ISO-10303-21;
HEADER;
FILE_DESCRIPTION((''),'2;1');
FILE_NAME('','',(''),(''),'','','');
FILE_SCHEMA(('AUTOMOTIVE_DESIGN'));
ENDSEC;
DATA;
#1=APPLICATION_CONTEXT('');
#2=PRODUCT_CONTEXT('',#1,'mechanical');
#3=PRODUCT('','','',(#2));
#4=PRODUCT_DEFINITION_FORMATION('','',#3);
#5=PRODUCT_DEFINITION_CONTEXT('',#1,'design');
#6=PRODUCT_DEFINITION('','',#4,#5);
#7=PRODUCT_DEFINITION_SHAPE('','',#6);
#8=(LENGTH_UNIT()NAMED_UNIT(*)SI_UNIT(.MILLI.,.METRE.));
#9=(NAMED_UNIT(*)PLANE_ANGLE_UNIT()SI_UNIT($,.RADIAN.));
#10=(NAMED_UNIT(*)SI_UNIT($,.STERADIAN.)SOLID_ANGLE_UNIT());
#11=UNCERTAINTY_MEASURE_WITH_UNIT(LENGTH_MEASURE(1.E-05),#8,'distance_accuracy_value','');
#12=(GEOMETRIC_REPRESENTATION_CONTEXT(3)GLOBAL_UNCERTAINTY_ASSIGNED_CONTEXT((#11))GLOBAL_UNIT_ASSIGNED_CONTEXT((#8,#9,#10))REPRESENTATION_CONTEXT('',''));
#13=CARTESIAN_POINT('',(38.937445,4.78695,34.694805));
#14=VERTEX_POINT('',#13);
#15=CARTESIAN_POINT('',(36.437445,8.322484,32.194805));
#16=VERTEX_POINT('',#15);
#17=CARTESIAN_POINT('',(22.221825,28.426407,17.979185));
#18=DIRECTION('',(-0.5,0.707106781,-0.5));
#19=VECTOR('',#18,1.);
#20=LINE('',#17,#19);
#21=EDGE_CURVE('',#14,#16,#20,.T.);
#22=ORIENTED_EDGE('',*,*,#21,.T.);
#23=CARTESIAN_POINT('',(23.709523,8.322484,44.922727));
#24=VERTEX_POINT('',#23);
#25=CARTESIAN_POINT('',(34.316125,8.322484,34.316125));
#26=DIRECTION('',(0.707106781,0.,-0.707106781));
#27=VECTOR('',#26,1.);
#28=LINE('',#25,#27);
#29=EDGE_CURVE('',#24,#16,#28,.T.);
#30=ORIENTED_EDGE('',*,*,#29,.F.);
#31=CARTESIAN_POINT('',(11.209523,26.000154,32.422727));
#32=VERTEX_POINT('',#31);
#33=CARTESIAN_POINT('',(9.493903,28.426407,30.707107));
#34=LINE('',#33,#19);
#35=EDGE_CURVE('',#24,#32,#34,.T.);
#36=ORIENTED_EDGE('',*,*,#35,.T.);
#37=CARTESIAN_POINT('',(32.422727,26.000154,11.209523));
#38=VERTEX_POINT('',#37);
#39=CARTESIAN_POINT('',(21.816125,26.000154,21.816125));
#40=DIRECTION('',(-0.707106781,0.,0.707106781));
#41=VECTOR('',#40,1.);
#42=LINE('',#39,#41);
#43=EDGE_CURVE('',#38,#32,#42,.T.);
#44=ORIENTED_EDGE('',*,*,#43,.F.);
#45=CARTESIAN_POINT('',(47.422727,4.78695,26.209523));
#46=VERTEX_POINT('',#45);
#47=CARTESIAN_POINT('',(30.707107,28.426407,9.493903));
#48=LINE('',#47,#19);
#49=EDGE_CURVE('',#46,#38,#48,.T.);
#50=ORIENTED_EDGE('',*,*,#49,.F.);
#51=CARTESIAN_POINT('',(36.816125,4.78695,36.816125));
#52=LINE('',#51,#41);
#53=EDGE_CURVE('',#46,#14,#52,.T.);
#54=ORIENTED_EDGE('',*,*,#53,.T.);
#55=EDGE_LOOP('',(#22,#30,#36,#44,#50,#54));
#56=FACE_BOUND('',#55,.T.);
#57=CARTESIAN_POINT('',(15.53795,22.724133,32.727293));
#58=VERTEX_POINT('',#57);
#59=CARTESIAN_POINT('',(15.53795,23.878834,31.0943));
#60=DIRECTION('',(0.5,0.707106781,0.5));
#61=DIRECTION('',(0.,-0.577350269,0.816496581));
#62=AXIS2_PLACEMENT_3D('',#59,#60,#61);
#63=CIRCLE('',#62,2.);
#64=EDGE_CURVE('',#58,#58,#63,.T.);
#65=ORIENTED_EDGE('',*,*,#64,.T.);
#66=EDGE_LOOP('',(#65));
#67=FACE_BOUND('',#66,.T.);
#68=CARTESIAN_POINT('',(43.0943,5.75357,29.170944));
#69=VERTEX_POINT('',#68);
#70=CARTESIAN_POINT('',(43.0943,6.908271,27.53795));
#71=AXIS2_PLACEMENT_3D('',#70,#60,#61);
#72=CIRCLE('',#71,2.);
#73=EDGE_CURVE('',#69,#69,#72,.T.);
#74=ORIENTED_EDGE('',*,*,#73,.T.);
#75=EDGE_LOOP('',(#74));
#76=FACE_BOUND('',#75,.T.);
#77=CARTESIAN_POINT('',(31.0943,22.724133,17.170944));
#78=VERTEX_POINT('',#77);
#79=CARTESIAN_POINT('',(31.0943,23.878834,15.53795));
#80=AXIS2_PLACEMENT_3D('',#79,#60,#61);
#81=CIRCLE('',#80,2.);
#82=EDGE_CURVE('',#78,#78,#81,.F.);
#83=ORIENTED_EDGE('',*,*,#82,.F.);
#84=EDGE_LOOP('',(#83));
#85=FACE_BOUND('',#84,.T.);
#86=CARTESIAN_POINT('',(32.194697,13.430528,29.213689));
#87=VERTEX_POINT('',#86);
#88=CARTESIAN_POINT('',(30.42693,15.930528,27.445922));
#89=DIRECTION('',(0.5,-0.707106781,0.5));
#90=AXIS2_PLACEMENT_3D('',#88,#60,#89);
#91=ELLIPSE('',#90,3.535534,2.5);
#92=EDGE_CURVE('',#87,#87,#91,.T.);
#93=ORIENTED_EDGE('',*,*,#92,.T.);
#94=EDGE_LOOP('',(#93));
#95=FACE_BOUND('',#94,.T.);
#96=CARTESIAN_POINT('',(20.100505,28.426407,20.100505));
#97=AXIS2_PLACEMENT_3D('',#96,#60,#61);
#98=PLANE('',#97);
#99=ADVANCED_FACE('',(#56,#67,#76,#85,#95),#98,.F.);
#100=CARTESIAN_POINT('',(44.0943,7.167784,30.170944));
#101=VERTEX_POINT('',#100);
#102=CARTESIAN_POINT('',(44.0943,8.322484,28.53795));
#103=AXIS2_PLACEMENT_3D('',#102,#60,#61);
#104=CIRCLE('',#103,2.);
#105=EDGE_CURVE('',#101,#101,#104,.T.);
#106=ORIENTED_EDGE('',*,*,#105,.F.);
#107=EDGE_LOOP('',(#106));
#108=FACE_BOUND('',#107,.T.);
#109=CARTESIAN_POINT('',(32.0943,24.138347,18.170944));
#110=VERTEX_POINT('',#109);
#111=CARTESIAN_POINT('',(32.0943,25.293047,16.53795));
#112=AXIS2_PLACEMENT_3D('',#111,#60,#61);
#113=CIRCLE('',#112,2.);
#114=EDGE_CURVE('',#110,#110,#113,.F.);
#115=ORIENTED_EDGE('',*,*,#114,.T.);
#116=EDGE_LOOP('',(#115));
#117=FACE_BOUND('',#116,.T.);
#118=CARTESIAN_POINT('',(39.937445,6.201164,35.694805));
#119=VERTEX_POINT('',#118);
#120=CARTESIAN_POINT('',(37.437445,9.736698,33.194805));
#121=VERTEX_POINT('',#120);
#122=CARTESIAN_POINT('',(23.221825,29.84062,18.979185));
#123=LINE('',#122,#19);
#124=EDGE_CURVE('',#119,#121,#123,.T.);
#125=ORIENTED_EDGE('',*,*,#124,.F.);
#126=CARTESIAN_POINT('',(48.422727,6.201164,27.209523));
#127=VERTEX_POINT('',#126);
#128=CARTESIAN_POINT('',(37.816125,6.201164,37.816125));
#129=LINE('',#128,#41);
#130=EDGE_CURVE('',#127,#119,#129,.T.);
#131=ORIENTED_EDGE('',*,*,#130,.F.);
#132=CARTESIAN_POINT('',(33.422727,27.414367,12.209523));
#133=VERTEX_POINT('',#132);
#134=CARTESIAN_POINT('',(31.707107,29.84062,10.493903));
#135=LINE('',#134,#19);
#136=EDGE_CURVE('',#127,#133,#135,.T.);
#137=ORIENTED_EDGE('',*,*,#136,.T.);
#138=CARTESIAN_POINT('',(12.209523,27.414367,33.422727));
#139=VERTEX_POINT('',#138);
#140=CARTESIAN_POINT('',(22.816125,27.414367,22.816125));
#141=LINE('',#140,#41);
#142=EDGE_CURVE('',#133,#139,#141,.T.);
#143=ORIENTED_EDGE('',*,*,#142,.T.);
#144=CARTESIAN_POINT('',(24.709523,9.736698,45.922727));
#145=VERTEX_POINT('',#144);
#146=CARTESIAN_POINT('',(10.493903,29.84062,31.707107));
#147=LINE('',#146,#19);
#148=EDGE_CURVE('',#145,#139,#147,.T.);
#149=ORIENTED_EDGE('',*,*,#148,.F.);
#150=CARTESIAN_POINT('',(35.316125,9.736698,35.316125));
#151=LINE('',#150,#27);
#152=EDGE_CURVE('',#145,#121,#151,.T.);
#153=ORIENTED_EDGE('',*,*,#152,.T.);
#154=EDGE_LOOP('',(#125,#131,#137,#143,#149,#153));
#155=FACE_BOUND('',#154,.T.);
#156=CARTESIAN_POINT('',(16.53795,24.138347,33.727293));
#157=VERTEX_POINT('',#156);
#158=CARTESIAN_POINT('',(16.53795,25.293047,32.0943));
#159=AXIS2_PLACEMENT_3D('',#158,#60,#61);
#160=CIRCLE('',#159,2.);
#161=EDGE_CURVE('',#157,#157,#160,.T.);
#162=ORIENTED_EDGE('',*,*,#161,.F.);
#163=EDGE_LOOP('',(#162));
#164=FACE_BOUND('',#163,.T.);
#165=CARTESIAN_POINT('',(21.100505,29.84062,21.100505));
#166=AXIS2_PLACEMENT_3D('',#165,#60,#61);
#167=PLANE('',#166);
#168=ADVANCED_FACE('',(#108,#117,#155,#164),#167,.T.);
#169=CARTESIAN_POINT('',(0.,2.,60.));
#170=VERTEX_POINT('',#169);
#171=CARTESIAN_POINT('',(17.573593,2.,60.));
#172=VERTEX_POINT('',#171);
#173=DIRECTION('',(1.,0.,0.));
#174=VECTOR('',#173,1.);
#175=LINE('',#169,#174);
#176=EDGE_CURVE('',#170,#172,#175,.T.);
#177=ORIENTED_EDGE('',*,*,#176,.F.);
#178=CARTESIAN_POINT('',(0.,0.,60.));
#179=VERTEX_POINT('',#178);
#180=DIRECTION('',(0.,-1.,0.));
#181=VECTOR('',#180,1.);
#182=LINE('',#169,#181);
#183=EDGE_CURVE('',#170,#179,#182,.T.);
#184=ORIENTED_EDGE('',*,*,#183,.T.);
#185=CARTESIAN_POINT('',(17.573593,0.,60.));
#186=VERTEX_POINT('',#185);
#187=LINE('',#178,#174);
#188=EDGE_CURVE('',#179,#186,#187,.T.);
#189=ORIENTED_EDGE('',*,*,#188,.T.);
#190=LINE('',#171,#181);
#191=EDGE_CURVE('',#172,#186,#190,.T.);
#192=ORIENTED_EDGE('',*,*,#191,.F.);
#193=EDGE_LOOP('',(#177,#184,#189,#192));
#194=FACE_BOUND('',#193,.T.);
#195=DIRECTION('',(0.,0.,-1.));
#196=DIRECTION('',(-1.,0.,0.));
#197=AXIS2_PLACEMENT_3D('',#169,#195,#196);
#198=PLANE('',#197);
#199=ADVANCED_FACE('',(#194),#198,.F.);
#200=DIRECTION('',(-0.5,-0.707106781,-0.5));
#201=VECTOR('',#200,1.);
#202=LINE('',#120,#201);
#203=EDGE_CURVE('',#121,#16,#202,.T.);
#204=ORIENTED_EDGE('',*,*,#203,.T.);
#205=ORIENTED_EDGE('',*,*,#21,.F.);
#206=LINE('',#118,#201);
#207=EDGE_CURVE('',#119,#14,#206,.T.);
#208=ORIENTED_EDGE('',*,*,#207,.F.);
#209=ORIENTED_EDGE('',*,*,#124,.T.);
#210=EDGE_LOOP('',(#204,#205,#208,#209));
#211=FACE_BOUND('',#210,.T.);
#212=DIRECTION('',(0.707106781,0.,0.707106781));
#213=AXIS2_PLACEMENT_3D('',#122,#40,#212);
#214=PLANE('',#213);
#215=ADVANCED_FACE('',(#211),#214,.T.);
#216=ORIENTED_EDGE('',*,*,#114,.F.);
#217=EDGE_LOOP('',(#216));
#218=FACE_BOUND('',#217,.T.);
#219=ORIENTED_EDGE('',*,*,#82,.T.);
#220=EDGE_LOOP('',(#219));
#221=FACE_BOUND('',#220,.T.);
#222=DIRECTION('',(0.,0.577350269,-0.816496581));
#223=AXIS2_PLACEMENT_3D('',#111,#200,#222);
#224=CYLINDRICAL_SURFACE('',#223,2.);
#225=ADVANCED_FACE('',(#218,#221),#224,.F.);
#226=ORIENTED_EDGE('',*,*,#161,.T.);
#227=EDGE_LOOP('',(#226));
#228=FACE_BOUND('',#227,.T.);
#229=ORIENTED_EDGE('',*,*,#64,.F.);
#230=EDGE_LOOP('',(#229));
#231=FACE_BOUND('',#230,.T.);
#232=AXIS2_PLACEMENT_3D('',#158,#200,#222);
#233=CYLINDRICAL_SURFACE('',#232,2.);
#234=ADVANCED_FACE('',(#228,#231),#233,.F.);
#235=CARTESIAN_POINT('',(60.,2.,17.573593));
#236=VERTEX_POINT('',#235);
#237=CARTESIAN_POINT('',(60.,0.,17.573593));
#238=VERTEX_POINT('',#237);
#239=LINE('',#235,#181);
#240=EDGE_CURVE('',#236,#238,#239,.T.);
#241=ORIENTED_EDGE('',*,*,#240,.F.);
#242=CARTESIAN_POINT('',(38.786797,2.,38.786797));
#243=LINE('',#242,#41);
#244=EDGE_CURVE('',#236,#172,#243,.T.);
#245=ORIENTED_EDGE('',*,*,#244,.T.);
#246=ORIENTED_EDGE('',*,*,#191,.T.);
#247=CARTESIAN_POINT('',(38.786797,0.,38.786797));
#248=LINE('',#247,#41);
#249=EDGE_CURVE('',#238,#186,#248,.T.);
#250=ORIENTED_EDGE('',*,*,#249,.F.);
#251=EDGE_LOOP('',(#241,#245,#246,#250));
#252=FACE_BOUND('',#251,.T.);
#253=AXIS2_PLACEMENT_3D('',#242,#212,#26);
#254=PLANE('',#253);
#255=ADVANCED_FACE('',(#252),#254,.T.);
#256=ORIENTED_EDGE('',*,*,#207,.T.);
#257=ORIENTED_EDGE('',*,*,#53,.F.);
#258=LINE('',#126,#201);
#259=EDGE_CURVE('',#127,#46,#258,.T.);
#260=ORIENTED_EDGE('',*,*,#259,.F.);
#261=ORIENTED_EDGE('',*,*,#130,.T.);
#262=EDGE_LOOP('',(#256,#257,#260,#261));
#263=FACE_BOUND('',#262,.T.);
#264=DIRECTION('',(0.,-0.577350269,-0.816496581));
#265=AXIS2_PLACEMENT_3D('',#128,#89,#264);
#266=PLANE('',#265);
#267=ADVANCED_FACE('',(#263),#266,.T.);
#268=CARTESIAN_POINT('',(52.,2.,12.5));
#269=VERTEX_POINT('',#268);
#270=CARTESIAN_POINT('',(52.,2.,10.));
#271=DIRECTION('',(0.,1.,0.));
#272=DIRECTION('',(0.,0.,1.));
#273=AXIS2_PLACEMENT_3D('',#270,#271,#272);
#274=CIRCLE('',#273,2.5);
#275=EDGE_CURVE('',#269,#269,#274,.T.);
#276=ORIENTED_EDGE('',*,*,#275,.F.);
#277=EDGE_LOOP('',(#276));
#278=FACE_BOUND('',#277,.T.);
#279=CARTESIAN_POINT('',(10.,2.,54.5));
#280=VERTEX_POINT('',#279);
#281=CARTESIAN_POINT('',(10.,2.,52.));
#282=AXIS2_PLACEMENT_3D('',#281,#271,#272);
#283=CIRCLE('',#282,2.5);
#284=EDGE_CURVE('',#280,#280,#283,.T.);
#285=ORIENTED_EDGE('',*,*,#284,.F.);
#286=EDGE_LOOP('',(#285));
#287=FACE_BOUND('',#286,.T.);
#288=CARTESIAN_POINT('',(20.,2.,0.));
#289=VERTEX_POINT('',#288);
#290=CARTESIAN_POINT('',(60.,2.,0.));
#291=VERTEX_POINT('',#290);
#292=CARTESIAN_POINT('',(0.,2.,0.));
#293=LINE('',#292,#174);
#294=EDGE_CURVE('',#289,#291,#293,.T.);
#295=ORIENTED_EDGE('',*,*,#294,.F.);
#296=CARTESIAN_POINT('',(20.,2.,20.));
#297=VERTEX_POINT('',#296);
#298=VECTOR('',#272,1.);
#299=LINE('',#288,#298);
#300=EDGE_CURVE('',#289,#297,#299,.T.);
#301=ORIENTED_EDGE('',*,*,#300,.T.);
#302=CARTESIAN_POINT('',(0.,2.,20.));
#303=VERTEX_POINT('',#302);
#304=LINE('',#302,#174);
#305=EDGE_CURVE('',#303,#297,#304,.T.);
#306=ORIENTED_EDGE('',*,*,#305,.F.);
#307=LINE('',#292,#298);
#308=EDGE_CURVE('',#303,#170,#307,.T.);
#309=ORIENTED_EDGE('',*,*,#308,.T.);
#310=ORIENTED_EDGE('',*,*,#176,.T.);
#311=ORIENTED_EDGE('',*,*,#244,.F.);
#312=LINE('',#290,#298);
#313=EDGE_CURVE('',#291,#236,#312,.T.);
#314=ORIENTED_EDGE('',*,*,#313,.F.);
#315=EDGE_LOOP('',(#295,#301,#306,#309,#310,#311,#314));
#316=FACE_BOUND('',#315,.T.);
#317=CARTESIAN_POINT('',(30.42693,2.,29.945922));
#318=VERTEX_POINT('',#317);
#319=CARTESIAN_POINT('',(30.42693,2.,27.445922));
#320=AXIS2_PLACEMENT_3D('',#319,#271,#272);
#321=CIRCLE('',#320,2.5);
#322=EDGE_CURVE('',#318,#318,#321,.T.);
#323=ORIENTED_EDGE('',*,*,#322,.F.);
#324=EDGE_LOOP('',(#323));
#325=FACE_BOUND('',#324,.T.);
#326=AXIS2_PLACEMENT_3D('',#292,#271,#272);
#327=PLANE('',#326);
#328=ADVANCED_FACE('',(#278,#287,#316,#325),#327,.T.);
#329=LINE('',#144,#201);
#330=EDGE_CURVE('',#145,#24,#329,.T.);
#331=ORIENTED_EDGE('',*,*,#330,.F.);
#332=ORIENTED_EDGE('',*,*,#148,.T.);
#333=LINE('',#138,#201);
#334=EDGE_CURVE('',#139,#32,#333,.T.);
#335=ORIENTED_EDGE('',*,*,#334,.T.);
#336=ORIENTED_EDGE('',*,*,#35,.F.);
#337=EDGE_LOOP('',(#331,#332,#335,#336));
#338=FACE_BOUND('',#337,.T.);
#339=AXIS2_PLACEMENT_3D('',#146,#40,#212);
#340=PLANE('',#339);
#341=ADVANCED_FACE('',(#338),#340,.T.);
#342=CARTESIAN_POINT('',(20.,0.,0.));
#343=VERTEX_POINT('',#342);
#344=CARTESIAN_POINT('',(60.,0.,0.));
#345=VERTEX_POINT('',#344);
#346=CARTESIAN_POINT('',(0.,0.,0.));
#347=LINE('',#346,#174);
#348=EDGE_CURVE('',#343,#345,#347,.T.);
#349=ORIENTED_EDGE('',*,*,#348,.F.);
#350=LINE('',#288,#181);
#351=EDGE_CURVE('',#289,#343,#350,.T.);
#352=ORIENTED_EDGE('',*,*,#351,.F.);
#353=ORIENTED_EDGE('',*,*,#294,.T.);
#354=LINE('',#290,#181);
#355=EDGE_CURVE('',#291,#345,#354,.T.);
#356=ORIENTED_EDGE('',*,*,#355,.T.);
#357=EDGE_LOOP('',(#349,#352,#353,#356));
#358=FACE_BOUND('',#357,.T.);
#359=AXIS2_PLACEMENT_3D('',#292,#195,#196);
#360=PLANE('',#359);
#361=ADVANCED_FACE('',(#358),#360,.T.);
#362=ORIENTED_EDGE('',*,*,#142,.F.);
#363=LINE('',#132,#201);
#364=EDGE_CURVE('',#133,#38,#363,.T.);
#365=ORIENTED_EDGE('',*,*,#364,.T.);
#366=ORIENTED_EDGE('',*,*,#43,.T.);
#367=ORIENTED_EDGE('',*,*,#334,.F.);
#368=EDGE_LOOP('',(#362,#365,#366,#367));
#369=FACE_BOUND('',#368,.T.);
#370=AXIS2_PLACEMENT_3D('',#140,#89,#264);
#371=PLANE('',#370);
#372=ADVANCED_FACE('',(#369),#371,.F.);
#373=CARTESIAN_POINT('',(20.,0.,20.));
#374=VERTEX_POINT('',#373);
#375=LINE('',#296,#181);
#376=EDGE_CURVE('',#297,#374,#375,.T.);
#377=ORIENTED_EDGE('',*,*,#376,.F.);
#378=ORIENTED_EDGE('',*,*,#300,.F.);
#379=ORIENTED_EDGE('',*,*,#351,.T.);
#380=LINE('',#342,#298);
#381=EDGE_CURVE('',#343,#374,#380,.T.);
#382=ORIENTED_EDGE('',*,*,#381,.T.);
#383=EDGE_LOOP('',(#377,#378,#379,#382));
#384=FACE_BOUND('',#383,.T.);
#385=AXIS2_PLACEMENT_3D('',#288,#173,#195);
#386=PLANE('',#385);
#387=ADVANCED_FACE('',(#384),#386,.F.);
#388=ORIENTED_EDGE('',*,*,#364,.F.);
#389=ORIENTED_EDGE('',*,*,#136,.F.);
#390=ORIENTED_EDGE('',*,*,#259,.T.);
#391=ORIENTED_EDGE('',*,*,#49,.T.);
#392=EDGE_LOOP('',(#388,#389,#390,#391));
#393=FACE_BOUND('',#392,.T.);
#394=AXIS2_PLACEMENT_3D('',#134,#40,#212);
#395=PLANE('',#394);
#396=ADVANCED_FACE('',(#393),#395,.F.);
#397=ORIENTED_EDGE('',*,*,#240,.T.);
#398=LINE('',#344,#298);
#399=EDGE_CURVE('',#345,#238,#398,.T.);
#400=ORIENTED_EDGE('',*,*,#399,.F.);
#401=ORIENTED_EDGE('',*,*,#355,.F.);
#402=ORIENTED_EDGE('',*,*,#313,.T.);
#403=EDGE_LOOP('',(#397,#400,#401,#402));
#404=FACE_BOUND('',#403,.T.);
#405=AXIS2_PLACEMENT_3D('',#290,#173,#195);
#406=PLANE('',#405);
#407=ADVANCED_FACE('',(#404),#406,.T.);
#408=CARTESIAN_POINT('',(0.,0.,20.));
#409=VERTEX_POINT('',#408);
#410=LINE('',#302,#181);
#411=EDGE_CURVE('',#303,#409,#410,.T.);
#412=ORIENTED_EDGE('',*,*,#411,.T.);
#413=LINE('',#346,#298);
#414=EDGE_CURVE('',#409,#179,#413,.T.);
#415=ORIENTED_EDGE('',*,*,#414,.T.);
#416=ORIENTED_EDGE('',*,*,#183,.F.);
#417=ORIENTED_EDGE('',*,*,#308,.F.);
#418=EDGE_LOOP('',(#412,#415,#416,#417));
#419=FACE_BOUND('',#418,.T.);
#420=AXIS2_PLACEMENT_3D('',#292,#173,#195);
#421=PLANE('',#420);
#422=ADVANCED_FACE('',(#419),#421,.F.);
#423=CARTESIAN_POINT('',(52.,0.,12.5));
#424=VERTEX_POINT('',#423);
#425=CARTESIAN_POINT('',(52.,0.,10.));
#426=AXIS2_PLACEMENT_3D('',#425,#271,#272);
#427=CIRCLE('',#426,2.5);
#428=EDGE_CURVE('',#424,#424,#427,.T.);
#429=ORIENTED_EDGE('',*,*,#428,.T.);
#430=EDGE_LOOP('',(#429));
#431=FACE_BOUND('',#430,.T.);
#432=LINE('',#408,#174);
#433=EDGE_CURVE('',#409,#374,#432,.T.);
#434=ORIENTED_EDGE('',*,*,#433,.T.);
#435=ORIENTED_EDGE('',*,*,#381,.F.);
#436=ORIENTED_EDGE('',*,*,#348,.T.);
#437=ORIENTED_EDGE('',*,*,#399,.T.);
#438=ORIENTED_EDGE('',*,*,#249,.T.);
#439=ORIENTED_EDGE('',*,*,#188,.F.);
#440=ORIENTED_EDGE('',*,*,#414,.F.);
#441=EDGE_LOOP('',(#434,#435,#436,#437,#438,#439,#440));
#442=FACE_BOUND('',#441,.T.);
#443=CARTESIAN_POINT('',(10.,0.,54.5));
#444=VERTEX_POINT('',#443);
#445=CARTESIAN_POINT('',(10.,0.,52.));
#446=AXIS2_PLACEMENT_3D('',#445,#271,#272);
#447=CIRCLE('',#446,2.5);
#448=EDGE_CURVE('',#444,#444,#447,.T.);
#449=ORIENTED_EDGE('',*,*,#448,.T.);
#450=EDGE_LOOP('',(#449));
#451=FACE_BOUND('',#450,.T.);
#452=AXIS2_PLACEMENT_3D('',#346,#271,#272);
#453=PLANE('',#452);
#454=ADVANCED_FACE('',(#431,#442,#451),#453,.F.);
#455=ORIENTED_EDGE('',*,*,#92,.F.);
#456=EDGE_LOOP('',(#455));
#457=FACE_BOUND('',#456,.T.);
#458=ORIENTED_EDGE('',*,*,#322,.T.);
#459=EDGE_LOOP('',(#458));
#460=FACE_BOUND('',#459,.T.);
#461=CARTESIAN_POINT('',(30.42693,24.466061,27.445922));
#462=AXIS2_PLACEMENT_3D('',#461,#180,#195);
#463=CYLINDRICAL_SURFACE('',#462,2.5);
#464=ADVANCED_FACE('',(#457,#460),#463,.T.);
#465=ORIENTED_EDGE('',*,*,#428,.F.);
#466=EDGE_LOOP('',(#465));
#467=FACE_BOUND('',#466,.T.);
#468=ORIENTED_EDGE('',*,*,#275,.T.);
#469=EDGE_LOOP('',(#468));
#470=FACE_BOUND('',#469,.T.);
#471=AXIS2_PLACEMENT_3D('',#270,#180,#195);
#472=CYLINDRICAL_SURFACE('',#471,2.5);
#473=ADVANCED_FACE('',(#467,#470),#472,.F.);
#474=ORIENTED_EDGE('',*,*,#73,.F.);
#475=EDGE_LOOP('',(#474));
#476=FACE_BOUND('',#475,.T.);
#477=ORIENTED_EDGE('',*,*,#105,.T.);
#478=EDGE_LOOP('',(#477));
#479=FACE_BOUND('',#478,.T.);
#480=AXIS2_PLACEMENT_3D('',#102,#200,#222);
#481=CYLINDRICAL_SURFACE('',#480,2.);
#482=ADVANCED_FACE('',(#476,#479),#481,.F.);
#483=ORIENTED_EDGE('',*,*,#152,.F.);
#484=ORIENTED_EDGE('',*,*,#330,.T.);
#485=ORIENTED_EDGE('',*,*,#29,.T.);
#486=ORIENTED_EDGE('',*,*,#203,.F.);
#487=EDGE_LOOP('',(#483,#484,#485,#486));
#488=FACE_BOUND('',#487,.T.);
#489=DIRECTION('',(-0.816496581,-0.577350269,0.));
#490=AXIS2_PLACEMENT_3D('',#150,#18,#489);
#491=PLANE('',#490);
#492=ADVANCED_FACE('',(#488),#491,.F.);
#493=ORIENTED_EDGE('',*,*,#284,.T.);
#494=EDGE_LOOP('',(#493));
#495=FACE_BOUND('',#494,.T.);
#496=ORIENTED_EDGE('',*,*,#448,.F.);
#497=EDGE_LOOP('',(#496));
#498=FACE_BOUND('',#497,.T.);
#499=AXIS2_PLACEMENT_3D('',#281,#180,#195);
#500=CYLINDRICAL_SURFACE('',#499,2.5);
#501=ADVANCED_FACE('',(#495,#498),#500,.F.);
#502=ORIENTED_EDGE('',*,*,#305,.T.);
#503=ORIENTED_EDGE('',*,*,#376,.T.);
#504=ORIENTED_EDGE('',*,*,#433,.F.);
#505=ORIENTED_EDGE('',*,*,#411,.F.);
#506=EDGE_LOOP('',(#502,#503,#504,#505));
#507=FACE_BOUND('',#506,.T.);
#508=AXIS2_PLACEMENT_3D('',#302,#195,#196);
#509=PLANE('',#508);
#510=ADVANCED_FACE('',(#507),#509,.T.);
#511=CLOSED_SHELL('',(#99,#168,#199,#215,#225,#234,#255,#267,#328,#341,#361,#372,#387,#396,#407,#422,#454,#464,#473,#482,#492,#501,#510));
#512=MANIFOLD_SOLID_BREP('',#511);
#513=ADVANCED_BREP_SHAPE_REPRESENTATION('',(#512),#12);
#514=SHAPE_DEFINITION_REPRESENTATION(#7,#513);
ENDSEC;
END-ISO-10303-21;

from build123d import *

# Parameters (mm, degrees)
SKETCH_1_R      = 2.5
EXTRUDE_1_DEPTH = 2
SKETCH_2_R      = 2
EXTRUDE_3_DEPTH = 2
EXTRUDE_4_REACH = 90.577
SKETCH_4_R      = 2.5


with BuildPart() as part:
    # 草图1 → 凸台-拉伸1 (new body)
    with BuildSketch(Plane(origin=(0, 0, 0), x_dir=(1, 0, 0), z_dir=(0, 1, 0))):
        Polygon((17.573593129, -60), (60, -17.573593129), (60, 0), (20, 0), (20, -20), (0, -20), (0, -60), align=None)
        with Locations(Location((10, -52, 0), (0, 0, 270))):
            Circle(SKETCH_1_R, mode=Mode.SUBTRACT)
        with Locations(Location((52, -10, 0), (0, 0, 270))):
            Circle(SKETCH_1_R, mode=Mode.SUBTRACT)
    extrude(amount=EXTRUDE_1_DEPTH)



with BuildPart() as body_2:
    # 草图2 → 凸台-拉伸3 (new body)
    with BuildSketch(Plane(origin=(20.100505063, 28.426406871, 20.100505063), x_dir=(-0.7071067811865476, 0, 0.7071067811865476), z_dir=(0.5000000000000009, 0.7071067811865465, 0.5000000000000009))):
        Polygon((-3, 33.431239936), (-15, 33.431239936), (-15, 3.431239936), (15, 3.431239936), (15, 28.431239936), (11, 28.431239936), (-3, 28.431239936), align=None)
        with Locations(Location((-11, 6.431239936, 0), (0, 0, 54.735610317))):
            Circle(SKETCH_2_R, mode=Mode.SUBTRACT)
        with Locations(Location((11, 6.431239936, 0), (0, 0, 54.735610317))):
            Circle(SKETCH_2_R, mode=Mode.SUBTRACT)
        with Locations(Location((-11, 30.431239936, 0), (0, 0, 54.735610317))):
            Circle(SKETCH_2_R, mode=Mode.SUBTRACT)
    extrude(amount=EXTRUDE_3_DEPTH)


with BuildPart() as part_1:
    add(part.part)

    add(body_2.part)  # 凸台-拉伸4 merges body 2
    # 凸台-拉伸4: up to this plane
    extrude_4_end = Plane(origin=(20.100505063, 28.426406871, 20.100505063), z_dir=(0.5000000000000009, 0.7071067811865464, 0.5000000000000009))
    # 草图4 → 凸台-拉伸4 (add, up to the surface)
    with BuildSketch(Plane(origin=(0, 2, 0), x_dir=(1, 0, 0), z_dir=(0, 1, 0)), mode=Mode.PRIVATE) as extrude_4_sk1:
        with Locations(Location((30.42692979, -27.445922357, 0), (0, 0, 315))):
            Circle(SKETCH_4_R)
    extrude_4_tool1 = split(extrude(extrude_4_sk1.sketch, amount=EXTRUDE_4_REACH, mode=Mode.PRIVATE), bisect_by=extrude_4_end, keep=Keep.BOTH, mode=Mode.PRIVATE)
    add(extrude_4_tool1.solids().sort_by_distance((30.42693, 2, 27.445922))[0])


solid = part_1.part
